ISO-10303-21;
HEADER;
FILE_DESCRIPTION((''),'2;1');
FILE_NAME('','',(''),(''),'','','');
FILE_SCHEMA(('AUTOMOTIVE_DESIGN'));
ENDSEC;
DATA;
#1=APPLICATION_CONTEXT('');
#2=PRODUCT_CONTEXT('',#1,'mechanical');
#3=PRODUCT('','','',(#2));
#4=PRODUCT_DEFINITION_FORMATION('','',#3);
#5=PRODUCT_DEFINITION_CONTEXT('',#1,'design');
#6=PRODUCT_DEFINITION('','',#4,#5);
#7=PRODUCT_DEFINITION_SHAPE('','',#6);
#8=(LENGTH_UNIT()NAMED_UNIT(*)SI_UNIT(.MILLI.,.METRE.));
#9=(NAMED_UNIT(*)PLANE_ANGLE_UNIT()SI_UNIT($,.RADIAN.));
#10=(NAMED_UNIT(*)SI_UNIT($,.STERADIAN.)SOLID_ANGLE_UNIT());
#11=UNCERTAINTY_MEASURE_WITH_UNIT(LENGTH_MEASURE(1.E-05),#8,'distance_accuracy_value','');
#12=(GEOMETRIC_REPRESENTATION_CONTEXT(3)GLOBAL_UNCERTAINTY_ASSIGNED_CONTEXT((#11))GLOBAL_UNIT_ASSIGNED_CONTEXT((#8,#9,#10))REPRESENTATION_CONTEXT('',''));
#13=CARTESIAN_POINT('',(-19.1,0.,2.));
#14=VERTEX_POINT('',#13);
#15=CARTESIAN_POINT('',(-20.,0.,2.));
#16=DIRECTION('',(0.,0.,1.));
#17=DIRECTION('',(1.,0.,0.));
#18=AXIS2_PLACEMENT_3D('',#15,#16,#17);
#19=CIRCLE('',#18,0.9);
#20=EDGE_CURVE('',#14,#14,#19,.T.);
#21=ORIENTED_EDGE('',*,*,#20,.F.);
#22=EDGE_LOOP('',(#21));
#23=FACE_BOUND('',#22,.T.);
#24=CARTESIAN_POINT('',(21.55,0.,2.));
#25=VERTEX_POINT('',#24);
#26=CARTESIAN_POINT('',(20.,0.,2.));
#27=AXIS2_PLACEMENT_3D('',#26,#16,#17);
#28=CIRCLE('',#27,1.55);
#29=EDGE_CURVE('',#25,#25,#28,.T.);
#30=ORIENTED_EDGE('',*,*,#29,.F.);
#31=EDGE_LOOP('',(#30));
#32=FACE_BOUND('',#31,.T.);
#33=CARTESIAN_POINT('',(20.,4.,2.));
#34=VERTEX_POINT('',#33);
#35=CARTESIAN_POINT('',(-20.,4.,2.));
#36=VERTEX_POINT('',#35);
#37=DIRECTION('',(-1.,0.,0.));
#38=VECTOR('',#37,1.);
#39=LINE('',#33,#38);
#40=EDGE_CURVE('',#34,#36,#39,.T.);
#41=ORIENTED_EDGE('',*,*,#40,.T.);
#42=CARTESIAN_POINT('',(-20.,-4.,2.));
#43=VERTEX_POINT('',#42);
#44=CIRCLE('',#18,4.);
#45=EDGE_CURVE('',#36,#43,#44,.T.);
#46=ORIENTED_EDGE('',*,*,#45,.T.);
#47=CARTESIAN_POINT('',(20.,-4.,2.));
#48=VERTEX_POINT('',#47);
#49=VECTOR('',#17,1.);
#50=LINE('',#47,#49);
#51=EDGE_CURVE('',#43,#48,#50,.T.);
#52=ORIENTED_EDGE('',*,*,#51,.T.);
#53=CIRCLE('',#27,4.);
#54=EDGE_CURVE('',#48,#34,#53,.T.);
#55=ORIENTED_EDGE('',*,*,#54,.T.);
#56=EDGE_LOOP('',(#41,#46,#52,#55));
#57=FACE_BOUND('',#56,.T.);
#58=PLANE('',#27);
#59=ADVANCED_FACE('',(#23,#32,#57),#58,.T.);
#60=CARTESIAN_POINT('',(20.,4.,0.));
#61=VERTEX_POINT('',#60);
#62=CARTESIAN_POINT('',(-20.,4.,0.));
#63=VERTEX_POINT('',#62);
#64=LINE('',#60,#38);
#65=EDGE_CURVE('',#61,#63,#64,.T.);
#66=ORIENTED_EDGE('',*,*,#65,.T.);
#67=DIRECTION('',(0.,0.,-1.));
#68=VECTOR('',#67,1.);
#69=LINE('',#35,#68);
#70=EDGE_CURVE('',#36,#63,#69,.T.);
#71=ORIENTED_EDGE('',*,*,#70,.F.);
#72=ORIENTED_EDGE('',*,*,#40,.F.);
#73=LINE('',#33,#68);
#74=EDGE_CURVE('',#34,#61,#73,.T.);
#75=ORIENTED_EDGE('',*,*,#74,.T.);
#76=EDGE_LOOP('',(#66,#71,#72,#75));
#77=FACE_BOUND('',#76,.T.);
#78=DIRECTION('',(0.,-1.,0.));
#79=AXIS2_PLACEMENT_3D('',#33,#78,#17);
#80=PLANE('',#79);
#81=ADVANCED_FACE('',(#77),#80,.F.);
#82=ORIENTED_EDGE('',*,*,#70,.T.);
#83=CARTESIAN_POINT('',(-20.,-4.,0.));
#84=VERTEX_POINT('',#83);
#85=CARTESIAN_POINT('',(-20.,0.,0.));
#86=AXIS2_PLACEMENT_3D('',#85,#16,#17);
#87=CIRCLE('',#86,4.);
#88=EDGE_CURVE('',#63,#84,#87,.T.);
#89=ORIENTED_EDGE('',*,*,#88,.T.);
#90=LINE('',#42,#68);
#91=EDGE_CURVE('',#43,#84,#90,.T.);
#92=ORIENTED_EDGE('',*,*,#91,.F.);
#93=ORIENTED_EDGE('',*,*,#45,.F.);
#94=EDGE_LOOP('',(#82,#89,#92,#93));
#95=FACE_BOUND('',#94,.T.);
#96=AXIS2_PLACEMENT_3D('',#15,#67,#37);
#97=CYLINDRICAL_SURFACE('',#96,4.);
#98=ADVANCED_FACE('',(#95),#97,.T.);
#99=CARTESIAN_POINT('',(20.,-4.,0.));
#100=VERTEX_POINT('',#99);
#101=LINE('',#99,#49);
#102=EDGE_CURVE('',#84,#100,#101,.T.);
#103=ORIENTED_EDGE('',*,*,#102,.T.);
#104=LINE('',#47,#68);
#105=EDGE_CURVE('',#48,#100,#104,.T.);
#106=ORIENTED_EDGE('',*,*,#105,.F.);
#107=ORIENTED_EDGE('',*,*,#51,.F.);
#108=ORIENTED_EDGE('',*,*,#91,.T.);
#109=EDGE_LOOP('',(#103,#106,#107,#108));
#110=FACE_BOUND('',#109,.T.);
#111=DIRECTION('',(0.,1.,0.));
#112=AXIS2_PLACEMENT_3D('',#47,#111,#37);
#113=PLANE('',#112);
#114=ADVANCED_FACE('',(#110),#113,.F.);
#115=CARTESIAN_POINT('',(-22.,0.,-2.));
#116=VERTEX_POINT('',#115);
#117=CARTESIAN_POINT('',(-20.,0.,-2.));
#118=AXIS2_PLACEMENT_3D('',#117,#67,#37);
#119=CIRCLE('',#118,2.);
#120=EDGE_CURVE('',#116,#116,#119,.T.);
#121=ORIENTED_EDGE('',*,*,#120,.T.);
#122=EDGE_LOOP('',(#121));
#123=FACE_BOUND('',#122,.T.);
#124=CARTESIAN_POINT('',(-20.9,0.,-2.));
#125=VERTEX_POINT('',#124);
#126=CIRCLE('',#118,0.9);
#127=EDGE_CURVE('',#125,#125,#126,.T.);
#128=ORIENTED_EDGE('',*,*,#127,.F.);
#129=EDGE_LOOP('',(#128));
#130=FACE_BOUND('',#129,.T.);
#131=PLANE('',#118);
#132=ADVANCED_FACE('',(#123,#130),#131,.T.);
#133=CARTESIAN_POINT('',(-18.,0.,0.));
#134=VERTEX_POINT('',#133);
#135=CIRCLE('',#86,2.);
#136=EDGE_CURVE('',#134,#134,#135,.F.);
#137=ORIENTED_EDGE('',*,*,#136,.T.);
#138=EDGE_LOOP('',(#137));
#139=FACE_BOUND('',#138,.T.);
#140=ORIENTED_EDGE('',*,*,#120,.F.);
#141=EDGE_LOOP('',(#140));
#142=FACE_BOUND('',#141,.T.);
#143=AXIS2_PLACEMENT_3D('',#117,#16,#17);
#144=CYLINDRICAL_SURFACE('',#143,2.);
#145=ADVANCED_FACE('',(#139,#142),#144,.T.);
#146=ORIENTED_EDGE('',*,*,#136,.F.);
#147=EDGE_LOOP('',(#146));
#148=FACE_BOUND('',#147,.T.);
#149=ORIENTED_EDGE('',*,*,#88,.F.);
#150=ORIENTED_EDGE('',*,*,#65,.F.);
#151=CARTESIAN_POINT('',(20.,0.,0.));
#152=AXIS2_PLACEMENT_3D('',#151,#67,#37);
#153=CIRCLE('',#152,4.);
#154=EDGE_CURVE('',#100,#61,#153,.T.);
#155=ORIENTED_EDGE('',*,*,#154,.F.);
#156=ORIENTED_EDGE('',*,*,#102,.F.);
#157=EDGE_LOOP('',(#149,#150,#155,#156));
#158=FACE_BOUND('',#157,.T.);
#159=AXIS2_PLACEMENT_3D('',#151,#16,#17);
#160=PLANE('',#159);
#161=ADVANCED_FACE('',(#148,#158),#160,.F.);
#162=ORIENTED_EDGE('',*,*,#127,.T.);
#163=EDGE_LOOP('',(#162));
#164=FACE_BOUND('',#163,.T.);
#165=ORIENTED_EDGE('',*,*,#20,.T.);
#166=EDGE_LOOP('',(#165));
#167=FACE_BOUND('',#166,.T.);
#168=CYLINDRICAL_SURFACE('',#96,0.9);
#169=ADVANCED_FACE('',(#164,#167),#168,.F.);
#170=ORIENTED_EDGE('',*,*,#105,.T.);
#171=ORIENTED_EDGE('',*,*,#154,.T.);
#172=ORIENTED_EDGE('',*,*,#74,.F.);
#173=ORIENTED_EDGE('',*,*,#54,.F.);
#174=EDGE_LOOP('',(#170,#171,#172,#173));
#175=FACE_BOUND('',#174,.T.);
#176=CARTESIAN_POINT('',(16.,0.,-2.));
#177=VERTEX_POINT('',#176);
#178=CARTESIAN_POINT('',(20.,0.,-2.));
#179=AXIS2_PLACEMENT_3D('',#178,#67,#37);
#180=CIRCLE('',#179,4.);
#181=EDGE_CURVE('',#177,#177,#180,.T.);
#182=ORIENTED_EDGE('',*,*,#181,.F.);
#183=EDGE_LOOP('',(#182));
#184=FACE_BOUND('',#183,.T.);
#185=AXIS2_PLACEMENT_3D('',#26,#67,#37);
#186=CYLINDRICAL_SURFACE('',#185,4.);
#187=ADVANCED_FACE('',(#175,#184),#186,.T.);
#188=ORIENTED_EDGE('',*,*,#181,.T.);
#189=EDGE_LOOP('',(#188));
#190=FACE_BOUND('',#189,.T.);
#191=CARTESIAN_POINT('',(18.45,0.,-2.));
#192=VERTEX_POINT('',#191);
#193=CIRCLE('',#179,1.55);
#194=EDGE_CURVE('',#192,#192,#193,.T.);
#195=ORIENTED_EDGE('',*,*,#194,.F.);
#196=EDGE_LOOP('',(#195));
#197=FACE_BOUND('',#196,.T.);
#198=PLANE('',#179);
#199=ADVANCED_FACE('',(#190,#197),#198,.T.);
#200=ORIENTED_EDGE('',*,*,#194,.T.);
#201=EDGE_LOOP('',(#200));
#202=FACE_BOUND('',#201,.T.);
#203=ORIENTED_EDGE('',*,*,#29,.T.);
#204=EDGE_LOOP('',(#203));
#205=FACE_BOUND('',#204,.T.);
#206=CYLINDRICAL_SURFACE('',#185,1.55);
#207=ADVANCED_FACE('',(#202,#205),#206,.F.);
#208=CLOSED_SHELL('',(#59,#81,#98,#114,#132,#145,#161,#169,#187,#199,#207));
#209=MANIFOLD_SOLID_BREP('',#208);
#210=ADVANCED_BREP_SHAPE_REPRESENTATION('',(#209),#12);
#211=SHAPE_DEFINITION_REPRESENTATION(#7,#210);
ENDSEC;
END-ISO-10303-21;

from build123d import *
from build123d.topology import SkipClean

# Parameters (mm, degrees)
SKETCH_1_R      = 1.55
SKETCH_1_R_2    = 0.9
EXTRUDE_1_DEPTH = 2
EXTRUDE_START   = 2
SKETCH_2_R      = 2
SKETCH_2_R_2    = 0.9
EXTRUDE_2_DEPTH = 2
SKETCH_3_R      = 4
SKETCH_3_R_2    = 1.55
EXTRUDE_3_DEPTH = 2


with BuildPart() as part:
    # 草图1 → 凸台-拉伸1 (new body)
    with BuildSketch(Plane.XY):
        with BuildLine():
            Line((20, -4), (-20, -4))
            ThreePointArc((-20, -4), (-24, 0), (-20, 4))
            Line((-20, 4), (20, 4))
            ThreePointArc((20, 4), (24, 0), (20, -4))
        make_face()
        with Locations((20, 0)):
            Circle(SKETCH_1_R, mode=Mode.SUBTRACT)
        with Locations((-20, 0)):
            Circle(SKETCH_1_R_2, mode=Mode.SUBTRACT)
    extrude(amount=EXTRUDE_1_DEPTH)

    # 草图2 → 凸台-拉伸2 (add)
    with SkipClean():  # the faces are left unmerged after this step: merging them gives an invalid solid
        with BuildSketch(Plane(origin=(0, 0, 0), x_dir=(-1, 0, 0), z_dir=(0, 0, -1)).offset(EXTRUDE_START)):
            with Locations(Location((20, 0, 0), (0, 0, 180))):
                Circle(SKETCH_2_R)
            with Locations((20, 0)):
                Circle(SKETCH_2_R_2, mode=Mode.SUBTRACT)
        extrude(amount=-EXTRUDE_2_DEPTH)

    # 草图3 → 凸台-拉伸3 (add)
    with SkipClean():  # the faces are left unmerged after this step: merging them gives an invalid solid
        with BuildSketch(Plane(origin=(0, 0, 0), x_dir=(-1, 0, 0), z_dir=(0, 0, -1)).offset(EXTRUDE_START)):
            with Locations((-20, 0)):
                Circle(SKETCH_3_R)
            with Locations((-20, 0)):
                Circle(SKETCH_3_R_2, mode=Mode.SUBTRACT)
        extrude(amount=-EXTRUDE_3_DEPTH)


solid = part.part
